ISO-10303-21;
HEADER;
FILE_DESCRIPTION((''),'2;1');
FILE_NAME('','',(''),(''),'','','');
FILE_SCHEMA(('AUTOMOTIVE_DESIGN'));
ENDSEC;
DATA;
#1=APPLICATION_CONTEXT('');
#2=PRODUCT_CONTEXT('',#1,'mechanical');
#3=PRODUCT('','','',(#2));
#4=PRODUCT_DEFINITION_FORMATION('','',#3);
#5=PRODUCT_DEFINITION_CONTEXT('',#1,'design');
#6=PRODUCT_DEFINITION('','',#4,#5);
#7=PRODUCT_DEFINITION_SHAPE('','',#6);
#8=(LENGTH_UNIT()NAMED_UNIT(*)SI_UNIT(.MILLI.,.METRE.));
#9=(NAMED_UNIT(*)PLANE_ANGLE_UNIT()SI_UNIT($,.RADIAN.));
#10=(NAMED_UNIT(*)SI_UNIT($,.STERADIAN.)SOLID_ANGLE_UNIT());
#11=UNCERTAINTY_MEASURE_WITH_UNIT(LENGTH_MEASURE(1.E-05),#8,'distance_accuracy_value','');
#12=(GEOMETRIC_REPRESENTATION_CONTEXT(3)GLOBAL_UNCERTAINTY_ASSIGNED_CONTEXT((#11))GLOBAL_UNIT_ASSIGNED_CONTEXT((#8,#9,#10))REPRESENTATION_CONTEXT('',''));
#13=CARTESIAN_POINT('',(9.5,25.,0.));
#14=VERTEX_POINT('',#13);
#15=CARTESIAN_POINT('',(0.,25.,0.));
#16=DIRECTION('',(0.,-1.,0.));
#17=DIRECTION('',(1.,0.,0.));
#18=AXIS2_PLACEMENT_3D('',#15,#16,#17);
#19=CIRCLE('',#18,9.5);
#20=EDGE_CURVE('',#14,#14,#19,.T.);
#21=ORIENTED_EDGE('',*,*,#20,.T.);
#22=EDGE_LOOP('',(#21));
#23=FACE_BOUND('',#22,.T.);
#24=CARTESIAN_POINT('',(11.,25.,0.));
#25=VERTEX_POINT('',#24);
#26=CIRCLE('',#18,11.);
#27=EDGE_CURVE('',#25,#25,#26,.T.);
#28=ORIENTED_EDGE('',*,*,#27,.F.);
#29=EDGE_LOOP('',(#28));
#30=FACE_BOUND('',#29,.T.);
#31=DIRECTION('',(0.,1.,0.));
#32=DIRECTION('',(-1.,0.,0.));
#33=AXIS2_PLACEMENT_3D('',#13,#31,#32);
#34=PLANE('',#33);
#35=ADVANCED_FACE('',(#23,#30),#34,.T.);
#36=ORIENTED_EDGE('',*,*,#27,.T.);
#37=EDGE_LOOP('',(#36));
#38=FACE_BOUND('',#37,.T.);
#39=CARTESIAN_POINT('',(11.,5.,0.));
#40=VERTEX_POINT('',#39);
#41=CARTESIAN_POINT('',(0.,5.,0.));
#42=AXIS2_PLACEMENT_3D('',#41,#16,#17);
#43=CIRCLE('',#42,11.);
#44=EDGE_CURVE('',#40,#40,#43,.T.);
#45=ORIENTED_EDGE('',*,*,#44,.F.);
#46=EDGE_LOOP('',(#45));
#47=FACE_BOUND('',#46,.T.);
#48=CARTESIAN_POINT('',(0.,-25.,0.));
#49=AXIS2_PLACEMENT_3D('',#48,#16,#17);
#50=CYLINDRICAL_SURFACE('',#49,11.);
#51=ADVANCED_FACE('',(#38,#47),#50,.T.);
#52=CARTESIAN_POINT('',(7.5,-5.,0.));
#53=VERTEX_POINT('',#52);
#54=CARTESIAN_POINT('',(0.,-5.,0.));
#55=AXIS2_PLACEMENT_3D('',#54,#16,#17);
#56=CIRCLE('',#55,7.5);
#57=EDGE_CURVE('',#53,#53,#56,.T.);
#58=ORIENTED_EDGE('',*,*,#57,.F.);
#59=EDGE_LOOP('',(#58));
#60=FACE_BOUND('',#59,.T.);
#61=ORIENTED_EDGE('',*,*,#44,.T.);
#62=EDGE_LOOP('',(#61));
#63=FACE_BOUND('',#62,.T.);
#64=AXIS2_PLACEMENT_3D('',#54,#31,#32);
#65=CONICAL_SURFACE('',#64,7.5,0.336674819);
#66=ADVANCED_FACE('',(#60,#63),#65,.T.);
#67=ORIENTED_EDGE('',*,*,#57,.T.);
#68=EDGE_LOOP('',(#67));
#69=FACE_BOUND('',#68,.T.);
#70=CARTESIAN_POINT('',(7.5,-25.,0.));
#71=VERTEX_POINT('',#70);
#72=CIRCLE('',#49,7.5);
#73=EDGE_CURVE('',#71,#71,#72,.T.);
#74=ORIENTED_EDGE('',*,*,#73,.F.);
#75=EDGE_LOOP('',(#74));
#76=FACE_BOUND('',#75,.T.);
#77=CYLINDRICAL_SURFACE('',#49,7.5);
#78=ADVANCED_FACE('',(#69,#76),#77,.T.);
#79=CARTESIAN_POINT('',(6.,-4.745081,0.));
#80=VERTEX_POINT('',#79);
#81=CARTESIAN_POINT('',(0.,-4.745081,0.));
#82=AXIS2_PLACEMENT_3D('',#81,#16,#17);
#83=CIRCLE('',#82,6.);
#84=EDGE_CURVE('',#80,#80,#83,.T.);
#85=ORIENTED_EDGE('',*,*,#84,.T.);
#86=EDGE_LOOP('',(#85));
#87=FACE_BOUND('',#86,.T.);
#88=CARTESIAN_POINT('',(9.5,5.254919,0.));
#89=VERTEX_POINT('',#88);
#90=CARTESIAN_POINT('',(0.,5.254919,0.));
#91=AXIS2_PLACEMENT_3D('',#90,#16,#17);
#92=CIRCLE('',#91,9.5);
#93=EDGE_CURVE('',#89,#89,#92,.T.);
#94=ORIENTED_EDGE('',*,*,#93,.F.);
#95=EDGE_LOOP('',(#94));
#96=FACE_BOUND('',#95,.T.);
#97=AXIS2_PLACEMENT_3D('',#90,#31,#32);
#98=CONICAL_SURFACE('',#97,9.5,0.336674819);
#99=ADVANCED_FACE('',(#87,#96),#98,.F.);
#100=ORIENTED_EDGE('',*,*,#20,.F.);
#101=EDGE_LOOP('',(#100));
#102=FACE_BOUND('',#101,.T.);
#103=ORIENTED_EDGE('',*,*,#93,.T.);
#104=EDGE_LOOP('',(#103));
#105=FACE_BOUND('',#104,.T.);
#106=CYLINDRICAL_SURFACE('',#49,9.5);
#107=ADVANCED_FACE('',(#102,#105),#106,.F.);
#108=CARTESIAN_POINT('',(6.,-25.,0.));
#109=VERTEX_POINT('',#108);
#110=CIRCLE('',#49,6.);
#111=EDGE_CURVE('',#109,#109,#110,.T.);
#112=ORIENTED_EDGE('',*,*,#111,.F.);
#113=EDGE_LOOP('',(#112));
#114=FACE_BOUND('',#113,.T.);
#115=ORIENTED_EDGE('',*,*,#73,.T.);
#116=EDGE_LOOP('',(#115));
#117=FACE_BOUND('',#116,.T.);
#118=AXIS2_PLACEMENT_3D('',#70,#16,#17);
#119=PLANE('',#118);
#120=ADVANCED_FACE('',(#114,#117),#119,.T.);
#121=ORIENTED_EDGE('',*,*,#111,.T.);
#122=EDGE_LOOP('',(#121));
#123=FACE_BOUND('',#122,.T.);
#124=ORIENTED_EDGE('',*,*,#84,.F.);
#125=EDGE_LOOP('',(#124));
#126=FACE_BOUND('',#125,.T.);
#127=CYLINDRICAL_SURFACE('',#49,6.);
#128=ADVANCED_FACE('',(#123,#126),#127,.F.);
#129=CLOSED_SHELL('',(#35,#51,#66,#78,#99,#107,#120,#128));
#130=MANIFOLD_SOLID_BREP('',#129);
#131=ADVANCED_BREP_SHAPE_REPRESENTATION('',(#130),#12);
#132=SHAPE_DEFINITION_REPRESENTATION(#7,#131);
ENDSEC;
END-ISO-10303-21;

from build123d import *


with BuildPart() as part:
    # Sketch1 → Revolve1 (revolve)
    with BuildSketch(Plane.XY):
        Polygon((11, 25), (11, 5), (7.5, -5), (7.5, -25), (6, -25), (6, -4.745081407), (9.5, 5.254918593), (9.5, 25), align=None)
    revolve(axis=Axis((0, -25, 0), (0, 1, 0)))


solid = part.part
